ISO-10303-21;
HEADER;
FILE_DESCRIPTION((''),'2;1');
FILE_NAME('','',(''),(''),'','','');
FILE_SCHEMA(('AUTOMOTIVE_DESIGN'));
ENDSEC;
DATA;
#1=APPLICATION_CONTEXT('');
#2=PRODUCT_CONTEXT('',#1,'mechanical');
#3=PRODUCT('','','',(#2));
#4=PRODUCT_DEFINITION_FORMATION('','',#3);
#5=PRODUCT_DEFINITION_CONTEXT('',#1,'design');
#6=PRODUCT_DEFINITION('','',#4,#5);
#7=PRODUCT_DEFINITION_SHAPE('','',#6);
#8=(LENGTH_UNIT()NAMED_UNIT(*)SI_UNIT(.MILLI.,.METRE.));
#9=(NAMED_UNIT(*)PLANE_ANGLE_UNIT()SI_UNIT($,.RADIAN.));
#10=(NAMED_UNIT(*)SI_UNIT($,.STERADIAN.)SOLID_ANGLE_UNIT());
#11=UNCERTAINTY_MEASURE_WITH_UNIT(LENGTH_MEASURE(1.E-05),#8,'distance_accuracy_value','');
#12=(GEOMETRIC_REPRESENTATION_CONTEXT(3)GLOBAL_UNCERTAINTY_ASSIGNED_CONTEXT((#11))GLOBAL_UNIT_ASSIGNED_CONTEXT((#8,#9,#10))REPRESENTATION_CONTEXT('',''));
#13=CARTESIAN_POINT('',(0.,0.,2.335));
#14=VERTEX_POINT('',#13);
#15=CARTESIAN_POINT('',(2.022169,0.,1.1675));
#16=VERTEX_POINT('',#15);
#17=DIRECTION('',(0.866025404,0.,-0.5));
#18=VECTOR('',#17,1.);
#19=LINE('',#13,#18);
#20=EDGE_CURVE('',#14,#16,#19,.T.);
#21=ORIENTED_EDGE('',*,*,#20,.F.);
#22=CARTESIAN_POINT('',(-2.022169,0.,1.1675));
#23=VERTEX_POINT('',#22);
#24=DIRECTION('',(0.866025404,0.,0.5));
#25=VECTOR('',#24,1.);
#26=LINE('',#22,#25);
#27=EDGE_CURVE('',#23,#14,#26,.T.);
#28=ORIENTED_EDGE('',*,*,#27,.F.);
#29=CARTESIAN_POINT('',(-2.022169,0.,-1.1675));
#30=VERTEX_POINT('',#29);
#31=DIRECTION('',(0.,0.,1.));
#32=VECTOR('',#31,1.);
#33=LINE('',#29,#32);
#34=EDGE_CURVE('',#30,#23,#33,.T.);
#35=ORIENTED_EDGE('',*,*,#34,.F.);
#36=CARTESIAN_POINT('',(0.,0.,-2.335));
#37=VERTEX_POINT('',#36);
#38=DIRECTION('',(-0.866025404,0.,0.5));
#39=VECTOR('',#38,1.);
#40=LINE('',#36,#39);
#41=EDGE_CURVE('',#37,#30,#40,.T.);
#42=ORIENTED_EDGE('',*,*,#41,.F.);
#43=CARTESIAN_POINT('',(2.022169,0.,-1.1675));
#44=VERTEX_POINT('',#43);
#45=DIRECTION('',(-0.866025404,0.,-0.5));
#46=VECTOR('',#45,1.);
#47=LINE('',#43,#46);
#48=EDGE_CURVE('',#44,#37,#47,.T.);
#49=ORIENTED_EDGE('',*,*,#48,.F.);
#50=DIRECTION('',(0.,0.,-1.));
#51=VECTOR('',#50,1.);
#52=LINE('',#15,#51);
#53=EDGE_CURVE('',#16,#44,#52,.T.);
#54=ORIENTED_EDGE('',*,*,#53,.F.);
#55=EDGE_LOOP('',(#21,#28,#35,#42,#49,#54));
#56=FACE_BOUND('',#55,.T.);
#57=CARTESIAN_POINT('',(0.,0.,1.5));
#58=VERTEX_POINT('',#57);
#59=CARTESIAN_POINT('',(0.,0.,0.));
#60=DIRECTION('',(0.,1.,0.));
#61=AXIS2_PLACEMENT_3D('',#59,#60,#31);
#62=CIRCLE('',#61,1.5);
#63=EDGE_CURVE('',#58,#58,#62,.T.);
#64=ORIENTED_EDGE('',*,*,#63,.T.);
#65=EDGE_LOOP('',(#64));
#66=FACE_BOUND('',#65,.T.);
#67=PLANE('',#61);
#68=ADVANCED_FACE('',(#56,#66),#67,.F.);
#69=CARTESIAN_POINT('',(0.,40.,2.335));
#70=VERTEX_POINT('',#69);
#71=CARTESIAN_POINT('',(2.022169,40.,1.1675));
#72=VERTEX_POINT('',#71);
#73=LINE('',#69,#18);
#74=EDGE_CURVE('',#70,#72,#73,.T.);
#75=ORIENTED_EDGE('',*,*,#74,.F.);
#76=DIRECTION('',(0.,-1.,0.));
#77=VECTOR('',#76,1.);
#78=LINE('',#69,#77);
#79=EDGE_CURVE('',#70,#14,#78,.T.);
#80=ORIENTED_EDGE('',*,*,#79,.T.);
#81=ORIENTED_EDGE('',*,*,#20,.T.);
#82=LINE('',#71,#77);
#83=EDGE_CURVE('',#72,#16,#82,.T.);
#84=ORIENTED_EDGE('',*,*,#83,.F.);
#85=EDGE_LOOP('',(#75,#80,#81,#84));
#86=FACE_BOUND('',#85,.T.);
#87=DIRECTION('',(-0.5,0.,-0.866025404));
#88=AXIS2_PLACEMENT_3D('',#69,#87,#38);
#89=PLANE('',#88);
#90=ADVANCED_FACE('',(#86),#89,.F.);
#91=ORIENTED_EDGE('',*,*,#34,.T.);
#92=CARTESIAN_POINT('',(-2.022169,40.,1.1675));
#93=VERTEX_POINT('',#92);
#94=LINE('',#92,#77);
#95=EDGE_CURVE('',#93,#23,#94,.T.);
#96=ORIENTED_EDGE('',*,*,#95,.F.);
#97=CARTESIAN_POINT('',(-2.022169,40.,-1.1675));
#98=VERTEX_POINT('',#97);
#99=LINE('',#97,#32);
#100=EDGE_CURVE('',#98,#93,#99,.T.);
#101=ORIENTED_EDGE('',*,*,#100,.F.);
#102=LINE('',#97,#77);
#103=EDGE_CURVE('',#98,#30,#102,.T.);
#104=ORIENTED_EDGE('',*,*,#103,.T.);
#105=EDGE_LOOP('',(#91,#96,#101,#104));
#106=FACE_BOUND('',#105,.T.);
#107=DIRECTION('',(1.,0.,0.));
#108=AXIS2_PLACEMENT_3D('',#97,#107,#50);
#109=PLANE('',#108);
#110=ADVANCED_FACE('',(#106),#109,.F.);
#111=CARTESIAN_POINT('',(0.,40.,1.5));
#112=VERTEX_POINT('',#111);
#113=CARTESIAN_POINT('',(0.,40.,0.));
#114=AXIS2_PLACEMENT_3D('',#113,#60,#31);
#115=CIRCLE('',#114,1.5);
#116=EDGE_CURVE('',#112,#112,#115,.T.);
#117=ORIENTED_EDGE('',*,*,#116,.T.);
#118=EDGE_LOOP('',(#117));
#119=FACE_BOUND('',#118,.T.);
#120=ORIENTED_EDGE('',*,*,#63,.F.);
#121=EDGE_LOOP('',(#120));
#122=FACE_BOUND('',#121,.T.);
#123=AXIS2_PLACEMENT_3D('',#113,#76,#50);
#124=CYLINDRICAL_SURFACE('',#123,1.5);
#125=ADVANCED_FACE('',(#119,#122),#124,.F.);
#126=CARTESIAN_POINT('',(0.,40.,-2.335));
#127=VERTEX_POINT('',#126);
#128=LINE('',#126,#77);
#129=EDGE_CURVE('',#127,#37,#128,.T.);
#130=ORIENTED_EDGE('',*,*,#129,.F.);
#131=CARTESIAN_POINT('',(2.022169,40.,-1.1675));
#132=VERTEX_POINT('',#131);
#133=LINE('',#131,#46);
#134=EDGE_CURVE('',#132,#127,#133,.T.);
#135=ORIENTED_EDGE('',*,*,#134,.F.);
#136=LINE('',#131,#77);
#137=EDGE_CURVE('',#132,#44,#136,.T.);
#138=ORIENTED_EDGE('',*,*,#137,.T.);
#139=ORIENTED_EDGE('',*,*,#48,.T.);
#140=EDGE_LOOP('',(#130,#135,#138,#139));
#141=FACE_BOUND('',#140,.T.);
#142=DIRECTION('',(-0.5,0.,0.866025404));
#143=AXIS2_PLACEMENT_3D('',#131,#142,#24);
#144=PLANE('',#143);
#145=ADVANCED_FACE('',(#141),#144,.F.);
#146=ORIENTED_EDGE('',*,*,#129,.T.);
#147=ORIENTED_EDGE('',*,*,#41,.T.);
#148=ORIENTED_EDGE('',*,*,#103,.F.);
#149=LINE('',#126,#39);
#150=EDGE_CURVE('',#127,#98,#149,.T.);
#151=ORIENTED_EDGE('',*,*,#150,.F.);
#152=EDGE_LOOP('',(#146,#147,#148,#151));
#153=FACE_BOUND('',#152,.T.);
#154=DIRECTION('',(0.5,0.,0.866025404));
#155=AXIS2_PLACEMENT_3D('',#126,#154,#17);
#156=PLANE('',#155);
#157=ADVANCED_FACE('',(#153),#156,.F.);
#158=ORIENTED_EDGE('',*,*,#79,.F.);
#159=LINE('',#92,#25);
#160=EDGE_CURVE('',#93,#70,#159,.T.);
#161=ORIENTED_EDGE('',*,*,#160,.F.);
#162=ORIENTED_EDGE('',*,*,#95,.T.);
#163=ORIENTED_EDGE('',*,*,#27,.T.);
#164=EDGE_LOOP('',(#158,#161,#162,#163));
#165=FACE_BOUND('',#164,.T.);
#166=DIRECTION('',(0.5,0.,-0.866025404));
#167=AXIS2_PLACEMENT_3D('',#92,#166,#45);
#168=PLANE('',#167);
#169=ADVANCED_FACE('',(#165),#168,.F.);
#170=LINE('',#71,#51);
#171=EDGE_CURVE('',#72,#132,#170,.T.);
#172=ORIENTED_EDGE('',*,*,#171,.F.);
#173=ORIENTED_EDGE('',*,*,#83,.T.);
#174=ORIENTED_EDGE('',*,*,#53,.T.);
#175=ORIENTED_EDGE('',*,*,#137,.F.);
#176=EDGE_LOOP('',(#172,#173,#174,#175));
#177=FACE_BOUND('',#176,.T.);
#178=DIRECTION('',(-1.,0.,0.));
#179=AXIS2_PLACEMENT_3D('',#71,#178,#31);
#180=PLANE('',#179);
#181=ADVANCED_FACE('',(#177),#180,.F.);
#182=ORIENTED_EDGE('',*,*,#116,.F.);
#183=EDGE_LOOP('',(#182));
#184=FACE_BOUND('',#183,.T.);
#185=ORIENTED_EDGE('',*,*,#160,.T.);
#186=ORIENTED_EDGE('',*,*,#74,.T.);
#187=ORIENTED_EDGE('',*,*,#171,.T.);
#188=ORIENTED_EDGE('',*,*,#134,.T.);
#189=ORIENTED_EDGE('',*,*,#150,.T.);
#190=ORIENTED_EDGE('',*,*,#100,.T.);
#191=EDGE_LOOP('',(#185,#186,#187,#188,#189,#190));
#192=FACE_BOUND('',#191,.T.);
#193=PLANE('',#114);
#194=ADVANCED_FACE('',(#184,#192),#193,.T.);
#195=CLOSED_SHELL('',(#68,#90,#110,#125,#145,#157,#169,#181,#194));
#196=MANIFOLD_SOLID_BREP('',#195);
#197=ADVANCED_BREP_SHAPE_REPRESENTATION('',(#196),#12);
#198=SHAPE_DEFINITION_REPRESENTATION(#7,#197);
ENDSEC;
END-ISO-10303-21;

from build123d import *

# Parameters (mm, degrees)
SKETCH_1_R      = 1.5
EXTRUDE_1_DEPTH = 40


with BuildPart() as part:
    # 草图1 → 凸台-拉伸1 (new body)
    with BuildSketch(Plane(origin=(0, 0, 0), x_dir=(1, 0, 0), z_dir=(0, 1, 0))):
        Polygon((2.022169318, 1.1675), (0, 2.335), (-2.022169318, 1.1675), (-2.022169318, -1.1675), (0, -2.335), (2.022169318, -1.1675), align=None)
        with Locations(Location((0, 0, 0), (0, 0, 270))):
            Circle(SKETCH_1_R, mode=Mode.SUBTRACT)
    extrude(amount=EXTRUDE_1_DEPTH)


solid = part.part
